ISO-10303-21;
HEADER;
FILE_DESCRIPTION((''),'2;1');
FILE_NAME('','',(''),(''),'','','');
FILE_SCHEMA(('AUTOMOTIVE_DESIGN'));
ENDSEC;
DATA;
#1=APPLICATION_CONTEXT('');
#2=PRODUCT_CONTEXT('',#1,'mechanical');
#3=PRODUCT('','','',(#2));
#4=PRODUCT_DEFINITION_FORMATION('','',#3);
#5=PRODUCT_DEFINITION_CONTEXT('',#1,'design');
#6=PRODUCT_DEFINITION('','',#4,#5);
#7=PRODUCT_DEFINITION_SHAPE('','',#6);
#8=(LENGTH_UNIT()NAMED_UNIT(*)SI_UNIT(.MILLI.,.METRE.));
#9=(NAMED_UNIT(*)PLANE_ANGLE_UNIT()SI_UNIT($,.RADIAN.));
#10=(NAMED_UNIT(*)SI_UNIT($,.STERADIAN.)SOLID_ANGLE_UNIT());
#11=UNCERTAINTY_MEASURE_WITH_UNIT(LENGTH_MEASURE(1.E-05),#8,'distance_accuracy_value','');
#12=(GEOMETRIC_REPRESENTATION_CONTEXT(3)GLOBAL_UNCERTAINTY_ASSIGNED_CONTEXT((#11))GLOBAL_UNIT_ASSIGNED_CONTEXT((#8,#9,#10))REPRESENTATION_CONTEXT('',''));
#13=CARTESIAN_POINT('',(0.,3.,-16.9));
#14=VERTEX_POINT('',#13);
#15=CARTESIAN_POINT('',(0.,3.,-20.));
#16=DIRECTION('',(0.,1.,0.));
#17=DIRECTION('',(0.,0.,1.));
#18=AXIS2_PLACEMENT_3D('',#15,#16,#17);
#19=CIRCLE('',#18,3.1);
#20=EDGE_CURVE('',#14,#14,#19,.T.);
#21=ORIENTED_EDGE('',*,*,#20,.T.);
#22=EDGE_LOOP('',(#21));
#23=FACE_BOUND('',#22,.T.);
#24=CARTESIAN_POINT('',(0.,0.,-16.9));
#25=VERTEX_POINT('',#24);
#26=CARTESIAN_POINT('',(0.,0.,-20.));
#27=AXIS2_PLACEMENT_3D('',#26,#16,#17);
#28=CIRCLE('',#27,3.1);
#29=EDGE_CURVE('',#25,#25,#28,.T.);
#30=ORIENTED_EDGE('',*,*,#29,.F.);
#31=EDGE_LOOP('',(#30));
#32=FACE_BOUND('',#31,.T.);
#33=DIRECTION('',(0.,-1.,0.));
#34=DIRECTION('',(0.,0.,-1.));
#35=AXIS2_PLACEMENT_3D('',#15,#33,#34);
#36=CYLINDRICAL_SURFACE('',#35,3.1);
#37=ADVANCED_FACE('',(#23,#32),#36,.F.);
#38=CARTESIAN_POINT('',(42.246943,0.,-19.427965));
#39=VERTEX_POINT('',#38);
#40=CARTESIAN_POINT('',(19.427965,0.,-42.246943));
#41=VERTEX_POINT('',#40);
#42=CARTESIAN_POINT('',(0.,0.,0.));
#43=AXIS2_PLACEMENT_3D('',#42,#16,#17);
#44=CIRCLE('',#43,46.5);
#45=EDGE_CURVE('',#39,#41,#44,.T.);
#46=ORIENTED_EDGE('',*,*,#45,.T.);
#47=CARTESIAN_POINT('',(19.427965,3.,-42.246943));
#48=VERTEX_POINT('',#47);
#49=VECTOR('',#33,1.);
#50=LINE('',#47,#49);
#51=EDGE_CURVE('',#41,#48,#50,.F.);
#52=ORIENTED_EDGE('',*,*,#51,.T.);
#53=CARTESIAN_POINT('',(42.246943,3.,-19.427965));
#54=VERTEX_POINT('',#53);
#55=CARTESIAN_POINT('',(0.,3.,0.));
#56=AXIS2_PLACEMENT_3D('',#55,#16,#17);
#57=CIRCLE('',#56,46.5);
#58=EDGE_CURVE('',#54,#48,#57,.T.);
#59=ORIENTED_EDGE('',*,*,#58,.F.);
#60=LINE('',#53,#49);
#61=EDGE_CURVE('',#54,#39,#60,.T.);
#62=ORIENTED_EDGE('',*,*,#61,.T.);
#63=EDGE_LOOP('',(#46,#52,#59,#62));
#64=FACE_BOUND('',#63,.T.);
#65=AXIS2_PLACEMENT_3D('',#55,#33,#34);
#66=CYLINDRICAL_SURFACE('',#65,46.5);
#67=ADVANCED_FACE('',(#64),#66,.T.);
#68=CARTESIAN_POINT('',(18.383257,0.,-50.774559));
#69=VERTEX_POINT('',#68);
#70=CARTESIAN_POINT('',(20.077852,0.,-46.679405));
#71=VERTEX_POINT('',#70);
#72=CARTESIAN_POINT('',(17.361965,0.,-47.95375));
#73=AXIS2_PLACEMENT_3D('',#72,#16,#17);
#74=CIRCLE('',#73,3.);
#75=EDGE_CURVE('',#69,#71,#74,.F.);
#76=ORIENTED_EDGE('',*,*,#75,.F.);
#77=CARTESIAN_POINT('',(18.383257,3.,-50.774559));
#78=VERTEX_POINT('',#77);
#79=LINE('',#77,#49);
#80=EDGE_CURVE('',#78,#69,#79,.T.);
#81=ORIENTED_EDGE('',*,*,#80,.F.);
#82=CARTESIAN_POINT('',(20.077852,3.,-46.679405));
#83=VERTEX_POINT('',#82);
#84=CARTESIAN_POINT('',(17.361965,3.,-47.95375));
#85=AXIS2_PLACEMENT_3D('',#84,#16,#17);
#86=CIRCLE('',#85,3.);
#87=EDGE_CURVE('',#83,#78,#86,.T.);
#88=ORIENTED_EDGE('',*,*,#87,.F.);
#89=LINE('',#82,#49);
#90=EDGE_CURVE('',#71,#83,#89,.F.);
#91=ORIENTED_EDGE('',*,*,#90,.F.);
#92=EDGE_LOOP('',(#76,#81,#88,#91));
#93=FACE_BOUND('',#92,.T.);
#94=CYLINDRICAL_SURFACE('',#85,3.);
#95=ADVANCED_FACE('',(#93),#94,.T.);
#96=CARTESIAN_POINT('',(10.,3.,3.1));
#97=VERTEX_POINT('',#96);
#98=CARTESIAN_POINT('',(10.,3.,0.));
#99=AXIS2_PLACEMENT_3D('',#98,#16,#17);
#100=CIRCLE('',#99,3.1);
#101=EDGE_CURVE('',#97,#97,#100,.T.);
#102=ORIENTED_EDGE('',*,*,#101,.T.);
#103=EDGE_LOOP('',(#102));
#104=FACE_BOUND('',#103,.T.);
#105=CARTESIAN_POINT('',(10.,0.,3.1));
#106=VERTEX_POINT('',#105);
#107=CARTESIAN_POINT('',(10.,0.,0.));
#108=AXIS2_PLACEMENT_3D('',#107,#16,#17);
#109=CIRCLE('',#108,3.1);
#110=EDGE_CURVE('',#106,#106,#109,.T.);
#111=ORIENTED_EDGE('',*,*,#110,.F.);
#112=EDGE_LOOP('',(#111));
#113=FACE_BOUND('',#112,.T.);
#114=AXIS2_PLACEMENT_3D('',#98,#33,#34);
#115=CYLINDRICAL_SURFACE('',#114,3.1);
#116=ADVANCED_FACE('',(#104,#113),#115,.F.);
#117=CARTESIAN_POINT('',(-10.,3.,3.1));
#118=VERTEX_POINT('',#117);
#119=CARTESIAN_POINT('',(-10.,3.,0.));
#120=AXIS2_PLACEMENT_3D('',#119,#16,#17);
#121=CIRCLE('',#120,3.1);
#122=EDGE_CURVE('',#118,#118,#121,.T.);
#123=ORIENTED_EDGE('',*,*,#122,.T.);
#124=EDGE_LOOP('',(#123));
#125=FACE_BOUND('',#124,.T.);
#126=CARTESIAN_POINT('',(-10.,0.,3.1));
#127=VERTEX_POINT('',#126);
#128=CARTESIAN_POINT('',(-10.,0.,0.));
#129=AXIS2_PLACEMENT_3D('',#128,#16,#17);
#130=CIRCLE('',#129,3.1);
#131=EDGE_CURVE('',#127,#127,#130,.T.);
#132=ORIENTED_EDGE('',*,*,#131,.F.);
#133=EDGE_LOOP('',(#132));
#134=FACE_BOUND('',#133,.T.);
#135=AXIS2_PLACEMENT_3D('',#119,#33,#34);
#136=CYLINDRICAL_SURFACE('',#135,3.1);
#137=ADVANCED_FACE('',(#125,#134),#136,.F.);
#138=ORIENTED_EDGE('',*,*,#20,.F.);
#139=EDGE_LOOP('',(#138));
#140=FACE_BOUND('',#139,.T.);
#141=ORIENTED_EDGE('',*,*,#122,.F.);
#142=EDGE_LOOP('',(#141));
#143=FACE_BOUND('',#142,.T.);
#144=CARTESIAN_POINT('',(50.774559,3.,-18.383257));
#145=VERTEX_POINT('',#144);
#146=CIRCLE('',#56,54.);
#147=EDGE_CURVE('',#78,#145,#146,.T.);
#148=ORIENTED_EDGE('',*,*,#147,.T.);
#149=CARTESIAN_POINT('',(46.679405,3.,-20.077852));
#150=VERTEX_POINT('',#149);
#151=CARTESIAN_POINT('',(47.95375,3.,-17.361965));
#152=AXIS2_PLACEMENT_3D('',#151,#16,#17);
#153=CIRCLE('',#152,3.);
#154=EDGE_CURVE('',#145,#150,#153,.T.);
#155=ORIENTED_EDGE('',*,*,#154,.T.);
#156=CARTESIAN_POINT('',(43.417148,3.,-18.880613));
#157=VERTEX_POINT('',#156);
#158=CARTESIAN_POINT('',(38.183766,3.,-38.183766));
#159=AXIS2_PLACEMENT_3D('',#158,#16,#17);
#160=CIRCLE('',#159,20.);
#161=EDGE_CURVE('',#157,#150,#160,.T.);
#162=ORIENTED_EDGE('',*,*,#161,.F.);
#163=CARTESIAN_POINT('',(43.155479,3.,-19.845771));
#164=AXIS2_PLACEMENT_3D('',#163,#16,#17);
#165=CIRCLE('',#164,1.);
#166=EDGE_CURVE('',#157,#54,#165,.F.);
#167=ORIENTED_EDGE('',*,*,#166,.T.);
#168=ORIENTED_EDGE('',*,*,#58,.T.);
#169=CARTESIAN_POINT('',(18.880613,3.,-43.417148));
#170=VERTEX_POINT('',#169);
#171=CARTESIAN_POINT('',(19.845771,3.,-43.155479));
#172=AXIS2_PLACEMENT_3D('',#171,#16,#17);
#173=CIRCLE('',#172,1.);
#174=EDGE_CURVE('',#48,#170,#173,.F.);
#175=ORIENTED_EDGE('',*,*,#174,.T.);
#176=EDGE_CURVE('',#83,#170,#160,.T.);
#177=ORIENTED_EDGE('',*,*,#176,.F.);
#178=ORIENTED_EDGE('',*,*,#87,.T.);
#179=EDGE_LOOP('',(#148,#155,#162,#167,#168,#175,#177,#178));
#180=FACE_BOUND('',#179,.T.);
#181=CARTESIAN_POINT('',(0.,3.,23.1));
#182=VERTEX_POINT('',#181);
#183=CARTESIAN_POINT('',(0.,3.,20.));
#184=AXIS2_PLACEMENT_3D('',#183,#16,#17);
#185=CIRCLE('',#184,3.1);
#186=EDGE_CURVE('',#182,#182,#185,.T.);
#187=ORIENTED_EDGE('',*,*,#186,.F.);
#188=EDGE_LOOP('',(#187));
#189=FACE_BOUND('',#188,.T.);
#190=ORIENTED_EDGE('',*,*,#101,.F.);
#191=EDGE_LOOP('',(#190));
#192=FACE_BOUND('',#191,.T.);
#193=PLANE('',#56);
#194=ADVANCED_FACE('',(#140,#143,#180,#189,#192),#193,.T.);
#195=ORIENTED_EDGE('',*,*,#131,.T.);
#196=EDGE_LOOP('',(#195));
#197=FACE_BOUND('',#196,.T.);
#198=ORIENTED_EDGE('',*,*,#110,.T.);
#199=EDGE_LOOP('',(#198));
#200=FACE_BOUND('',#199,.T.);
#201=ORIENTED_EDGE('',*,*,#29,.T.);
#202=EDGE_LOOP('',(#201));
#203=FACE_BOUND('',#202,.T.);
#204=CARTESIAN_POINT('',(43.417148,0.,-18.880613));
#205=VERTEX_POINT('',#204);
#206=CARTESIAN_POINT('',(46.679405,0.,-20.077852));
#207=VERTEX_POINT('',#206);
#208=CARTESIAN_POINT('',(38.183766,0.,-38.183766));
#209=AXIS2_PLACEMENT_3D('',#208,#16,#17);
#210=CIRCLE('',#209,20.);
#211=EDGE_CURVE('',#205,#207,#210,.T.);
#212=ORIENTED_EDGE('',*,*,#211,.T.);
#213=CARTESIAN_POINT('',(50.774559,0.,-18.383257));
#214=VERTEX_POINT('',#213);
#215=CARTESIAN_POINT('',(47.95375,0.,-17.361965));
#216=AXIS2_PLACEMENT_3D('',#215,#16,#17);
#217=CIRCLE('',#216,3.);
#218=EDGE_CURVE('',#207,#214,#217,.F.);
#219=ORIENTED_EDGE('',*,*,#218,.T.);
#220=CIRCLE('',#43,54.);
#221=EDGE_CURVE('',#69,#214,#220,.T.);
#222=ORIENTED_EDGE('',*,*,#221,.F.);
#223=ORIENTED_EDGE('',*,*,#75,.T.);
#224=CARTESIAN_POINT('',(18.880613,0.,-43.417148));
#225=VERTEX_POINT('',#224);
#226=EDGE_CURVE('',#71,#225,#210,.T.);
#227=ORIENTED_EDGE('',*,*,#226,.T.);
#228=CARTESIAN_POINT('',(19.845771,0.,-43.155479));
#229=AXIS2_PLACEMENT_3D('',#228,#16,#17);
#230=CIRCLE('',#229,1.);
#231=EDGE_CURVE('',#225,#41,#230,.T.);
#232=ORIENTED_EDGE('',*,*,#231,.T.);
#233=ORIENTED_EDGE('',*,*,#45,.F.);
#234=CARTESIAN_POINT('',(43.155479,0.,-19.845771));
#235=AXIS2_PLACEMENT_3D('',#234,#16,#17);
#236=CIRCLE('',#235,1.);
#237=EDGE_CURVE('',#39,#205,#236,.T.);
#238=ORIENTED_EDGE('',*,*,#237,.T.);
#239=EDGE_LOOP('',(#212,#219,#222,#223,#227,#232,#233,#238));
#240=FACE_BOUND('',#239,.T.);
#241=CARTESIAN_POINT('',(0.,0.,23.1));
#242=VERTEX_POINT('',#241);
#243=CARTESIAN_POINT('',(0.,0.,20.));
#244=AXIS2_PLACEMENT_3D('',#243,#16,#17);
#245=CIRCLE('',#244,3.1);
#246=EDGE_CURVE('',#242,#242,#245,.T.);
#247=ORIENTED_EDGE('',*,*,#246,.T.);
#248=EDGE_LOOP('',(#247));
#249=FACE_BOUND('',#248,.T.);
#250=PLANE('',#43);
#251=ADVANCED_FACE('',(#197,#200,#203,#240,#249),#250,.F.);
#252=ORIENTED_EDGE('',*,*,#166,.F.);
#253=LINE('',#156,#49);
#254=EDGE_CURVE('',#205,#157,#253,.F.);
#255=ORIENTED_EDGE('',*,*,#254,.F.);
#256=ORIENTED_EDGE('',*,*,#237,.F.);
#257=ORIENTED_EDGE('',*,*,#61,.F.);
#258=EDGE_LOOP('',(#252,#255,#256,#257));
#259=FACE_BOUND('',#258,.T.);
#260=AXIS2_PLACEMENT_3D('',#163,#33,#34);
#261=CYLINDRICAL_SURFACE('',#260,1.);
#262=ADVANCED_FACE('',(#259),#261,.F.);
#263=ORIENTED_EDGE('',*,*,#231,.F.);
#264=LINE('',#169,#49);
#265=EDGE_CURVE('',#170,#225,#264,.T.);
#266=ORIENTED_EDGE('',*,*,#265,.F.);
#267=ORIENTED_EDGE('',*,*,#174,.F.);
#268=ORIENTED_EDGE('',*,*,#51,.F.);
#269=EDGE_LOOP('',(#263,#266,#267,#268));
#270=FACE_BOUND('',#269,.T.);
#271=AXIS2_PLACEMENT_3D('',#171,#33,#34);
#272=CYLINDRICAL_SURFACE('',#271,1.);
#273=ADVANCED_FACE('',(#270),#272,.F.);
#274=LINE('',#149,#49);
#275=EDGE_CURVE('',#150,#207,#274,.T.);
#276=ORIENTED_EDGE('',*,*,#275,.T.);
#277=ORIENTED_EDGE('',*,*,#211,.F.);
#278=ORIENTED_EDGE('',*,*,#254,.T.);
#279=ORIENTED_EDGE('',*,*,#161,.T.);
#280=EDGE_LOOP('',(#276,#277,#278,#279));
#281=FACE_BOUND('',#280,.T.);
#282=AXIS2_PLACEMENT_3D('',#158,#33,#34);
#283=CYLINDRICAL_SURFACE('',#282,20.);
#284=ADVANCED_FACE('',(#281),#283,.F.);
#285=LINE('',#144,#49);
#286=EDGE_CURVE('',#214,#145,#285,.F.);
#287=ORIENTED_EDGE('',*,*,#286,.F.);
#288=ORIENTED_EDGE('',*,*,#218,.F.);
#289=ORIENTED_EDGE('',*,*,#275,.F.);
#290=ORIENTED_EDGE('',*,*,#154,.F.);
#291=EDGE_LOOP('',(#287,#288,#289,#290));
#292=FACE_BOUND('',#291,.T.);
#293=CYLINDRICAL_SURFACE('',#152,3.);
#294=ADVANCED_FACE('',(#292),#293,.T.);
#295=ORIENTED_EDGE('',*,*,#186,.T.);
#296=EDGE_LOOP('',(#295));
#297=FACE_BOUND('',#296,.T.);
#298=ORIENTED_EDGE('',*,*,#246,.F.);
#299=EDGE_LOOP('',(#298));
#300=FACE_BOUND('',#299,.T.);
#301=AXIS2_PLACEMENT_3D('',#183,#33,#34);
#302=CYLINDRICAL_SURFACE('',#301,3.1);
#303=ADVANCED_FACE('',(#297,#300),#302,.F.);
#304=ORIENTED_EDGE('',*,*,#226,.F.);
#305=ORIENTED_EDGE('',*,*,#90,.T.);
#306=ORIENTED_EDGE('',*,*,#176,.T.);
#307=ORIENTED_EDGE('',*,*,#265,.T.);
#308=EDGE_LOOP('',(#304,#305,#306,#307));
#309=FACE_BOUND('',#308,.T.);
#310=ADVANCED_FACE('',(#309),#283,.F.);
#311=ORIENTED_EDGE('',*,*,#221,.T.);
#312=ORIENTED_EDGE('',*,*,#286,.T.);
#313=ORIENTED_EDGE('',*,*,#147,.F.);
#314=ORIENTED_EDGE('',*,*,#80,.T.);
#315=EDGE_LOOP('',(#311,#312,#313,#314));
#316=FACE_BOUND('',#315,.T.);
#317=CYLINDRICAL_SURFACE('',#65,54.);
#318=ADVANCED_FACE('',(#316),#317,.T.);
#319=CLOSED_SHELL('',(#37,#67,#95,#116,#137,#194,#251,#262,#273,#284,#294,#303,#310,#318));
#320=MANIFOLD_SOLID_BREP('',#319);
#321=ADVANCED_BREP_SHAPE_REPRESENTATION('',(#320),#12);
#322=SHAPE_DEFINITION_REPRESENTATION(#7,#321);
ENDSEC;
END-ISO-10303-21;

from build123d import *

# Parameters (mm, degrees)
SKETCH1_R           = 3.1
BOSS_EXTRUDE1_DEPTH = 3
FILLET1_R           = 3
FILLET2_R           = 1


with BuildPart() as part:
    # Sketch1 → Boss-Extrude1 (new body)
    with BuildSketch(Plane(origin=(0, 0, 0), x_dir=(1, 0, 0), z_dir=(0, 1, 0))):
        with BuildLine():
            ThreePointArc((21.667324002, 49.462380357), (-38.183766184, -38.183766184), (49.462380357, 21.667324002))
            ThreePointArc((49.462380357, 21.667324002), (46.165505457, 19.845504593), (42.585510083, 18.674162122))
            ThreePointArc((42.585510083, 18.674162122), (32.880465325, 32.880465325), (18.674162122, 42.585510083))
            ThreePointArc((18.674162122, 42.585510083), (19.845504593, 46.165505457), (21.667324002, 49.462380357))
        make_face()
        with Locations(Location((10, 0, 0), (0, 0, 270))):
            Circle(SKETCH1_R, mode=Mode.SUBTRACT)
        with Locations(Location((0, 20, 0), (0, 0, 270))):
            Circle(SKETCH1_R, mode=Mode.SUBTRACT)
        with Locations(Location((0, -20, 0), (0, 0, 270))):
            Circle(SKETCH1_R, mode=Mode.SUBTRACT)
        with Locations(Location((-10, 0, 0), (0, 0, 270))):
            Circle(SKETCH1_R, mode=Mode.SUBTRACT)
    extrude(amount=BOSS_EXTRUDE1_DEPTH)

    # Fillet1
    fillet1_edges = [part.edges().sort_by_distance(p)[0] for p in [
        (49.462380357, 1.5, -21.667324002),
        (21.667324002, 1.5, -49.462380357),
    ]]
    fillet(fillet1_edges, radius=FILLET1_R)

    # Fillet2
    fillet2_edges = [part.edges().sort_by_distance(p)[0] for p in [
        (18.674162122, 1.5, -42.585510083),
        (42.585510083, 1.5, -18.674162122),
    ]]
    fillet(fillet2_edges, radius=FILLET2_R)


solid = part.part
